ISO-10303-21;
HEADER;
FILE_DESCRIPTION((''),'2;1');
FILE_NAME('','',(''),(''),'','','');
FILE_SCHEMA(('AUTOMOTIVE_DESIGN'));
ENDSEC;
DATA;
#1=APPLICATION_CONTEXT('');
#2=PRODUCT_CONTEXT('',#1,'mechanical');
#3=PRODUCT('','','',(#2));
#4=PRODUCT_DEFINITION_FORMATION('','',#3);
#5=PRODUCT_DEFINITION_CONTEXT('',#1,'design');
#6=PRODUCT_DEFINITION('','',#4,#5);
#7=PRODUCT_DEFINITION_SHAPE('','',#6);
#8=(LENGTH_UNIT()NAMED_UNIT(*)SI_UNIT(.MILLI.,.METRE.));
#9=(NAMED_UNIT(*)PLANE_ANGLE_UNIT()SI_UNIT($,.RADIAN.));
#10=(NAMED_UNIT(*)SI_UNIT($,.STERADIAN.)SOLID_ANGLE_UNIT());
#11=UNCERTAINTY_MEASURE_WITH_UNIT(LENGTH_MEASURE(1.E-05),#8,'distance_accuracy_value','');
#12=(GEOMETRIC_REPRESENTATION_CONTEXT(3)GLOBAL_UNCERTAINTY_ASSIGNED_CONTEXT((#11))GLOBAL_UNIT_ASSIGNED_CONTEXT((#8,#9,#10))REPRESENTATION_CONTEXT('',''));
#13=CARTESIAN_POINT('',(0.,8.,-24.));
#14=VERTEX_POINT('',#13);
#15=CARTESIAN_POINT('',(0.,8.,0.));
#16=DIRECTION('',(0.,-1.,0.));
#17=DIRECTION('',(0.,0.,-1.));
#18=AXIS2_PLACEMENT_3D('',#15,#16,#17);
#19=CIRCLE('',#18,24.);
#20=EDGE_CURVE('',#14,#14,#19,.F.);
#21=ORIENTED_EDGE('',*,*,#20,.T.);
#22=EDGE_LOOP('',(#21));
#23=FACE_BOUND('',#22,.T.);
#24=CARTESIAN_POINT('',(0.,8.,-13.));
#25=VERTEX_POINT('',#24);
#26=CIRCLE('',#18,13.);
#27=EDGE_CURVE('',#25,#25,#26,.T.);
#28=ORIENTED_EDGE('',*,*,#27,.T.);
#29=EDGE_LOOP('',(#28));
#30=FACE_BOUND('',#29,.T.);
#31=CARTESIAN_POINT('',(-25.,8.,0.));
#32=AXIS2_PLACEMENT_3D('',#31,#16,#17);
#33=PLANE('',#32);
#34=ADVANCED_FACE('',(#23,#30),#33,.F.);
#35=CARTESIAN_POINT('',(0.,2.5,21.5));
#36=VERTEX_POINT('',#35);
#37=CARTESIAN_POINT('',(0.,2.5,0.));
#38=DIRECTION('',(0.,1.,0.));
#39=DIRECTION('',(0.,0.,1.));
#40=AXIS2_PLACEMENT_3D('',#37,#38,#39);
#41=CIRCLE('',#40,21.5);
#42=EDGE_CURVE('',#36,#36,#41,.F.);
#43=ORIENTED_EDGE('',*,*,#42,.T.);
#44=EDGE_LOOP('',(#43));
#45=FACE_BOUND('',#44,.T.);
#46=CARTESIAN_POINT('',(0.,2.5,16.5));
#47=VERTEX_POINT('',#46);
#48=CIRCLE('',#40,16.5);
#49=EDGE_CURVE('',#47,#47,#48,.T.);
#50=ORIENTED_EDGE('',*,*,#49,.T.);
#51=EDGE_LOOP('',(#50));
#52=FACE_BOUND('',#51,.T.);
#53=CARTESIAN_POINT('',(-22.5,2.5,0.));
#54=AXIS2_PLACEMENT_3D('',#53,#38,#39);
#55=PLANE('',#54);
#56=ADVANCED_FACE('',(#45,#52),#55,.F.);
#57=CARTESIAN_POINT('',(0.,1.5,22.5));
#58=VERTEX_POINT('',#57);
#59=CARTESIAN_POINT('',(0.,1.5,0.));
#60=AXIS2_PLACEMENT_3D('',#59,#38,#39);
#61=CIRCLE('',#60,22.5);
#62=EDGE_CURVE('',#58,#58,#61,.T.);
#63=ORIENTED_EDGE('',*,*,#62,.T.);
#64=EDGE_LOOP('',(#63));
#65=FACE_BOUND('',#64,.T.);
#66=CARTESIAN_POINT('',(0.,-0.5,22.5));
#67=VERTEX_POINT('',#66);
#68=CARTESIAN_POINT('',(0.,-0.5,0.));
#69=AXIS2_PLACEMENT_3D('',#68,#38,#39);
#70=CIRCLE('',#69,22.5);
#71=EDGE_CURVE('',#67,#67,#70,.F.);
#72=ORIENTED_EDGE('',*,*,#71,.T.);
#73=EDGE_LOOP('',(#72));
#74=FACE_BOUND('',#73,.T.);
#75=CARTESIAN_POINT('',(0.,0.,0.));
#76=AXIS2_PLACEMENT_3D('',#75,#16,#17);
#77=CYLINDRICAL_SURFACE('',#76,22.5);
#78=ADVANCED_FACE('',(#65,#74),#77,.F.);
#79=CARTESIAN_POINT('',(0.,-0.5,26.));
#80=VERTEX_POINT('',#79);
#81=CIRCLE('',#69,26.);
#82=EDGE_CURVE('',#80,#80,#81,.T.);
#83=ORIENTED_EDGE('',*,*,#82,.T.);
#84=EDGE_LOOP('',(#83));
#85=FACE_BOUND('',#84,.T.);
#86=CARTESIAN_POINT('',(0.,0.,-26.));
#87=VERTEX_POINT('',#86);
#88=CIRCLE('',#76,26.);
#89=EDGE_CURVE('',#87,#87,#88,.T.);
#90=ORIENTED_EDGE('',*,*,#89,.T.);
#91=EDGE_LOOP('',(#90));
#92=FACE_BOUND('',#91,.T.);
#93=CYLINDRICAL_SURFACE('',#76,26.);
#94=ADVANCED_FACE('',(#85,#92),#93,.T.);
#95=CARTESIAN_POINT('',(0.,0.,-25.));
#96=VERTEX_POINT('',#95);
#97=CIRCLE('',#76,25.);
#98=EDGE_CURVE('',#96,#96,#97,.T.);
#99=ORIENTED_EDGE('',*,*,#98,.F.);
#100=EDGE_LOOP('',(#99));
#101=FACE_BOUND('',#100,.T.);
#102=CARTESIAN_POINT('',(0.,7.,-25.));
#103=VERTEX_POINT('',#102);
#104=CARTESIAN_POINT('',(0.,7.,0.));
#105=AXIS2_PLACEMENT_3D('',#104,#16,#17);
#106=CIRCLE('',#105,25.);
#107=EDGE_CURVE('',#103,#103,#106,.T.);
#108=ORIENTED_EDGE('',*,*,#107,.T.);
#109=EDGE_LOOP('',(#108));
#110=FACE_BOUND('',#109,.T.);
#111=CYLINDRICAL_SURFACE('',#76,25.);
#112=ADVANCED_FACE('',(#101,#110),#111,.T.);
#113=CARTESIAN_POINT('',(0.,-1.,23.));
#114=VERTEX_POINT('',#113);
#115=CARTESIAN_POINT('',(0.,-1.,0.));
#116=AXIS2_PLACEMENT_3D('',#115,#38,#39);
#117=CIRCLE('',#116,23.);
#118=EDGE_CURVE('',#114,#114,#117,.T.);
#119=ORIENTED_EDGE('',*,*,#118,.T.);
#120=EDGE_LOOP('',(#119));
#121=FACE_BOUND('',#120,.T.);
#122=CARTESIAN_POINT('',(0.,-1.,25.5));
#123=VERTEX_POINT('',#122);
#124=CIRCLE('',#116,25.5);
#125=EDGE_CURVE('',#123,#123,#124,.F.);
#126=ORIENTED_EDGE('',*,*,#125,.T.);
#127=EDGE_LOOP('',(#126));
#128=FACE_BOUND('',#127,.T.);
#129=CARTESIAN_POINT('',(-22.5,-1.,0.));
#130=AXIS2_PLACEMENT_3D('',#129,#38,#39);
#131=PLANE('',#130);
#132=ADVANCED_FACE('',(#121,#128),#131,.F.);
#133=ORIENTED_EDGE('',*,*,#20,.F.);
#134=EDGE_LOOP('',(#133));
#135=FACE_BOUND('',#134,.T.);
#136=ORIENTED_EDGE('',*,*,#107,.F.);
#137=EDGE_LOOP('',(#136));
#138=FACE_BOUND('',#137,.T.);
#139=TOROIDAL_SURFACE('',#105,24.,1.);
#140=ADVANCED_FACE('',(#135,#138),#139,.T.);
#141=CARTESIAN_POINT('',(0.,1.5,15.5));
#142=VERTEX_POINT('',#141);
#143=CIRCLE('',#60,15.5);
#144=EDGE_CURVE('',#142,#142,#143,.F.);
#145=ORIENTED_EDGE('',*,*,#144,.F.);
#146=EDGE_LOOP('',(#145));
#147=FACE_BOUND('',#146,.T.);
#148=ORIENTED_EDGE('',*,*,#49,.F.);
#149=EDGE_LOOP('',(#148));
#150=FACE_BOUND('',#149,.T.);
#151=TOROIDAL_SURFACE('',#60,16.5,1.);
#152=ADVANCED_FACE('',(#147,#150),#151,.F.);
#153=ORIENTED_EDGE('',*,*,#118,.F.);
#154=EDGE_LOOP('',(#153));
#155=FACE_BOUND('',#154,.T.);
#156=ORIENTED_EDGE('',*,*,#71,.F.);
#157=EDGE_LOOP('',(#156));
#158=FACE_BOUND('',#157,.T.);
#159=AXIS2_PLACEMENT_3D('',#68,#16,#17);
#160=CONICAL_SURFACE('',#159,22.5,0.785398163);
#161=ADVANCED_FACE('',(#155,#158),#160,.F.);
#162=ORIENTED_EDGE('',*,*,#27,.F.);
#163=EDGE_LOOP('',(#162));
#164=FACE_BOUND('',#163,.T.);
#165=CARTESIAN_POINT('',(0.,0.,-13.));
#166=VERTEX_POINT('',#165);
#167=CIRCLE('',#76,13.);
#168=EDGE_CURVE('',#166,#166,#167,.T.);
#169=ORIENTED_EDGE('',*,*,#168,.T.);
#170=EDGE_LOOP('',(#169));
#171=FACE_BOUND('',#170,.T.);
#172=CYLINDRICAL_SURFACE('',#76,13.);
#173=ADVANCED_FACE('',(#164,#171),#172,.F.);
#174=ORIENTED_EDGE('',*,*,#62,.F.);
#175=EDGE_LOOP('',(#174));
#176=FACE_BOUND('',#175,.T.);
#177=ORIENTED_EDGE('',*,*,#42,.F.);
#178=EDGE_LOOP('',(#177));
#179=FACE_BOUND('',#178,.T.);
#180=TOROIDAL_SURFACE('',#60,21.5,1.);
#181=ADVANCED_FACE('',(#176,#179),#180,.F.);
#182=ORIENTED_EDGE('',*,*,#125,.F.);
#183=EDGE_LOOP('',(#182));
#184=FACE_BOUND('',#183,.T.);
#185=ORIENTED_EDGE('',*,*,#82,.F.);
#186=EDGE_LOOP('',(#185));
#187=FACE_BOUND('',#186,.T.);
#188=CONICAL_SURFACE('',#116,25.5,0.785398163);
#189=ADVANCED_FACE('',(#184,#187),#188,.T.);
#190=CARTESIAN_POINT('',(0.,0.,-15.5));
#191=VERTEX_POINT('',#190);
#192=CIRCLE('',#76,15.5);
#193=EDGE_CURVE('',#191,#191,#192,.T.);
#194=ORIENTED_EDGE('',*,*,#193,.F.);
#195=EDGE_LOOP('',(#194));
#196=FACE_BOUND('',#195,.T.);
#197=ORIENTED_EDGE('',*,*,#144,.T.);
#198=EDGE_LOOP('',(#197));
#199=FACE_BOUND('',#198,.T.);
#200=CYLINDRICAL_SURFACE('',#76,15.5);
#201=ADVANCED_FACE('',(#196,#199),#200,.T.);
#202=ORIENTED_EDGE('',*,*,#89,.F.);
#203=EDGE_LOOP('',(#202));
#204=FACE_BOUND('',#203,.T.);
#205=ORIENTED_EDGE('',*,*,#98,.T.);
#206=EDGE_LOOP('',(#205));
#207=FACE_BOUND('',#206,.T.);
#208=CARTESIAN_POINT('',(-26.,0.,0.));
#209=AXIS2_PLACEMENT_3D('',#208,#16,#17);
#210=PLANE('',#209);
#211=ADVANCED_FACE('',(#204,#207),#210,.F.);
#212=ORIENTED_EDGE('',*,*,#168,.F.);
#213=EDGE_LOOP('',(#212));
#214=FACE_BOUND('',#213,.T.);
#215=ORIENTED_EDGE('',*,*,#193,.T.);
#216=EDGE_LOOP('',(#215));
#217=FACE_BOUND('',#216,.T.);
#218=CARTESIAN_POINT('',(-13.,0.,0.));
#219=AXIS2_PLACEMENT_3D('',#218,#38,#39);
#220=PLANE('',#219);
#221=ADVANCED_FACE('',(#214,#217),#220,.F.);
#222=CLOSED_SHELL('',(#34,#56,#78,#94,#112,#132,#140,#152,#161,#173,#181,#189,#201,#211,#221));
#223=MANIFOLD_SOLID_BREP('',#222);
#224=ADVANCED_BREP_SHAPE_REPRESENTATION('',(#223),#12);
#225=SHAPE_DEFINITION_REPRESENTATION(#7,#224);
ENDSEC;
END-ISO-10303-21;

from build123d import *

# Parameters (mm, degrees)
FILLET1_R     = 1
CHAMFER1_SIZE = 0.5


with BuildPart() as part:
    # Sketch1 → Revolve1 (revolve)
    with BuildSketch(Plane.XY):
        Polygon((-26, 0), (-25, 0), (-25, 8), (-13, 8), (-13, 0), (-15.5, 0), (-15.5, 2.5), (-22.5, 2.5), (-22.5, -1), (-26, -1), align=None)
    revolve(axis=Axis((0, 0, 0), (0, 1, 0)))

    # Fillet1
    fillet1_edges = [part.edges().sort_by_distance(p)[0] for p in [
        (15.5, 2.5, 0),
        (22.5, 2.5, 0),
        (25, 8, 0),
    ]]
    fillet(fillet1_edges, radius=FILLET1_R)

    # Chamfer1
    chamfer1_edges = [part.edges().sort_by_distance(p)[0] for p in [
        (22.5, -1, 0),
        (26, -1, 0),
    ]]
    chamfer(chamfer1_edges, length=CHAMFER1_SIZE)


solid = part.part
